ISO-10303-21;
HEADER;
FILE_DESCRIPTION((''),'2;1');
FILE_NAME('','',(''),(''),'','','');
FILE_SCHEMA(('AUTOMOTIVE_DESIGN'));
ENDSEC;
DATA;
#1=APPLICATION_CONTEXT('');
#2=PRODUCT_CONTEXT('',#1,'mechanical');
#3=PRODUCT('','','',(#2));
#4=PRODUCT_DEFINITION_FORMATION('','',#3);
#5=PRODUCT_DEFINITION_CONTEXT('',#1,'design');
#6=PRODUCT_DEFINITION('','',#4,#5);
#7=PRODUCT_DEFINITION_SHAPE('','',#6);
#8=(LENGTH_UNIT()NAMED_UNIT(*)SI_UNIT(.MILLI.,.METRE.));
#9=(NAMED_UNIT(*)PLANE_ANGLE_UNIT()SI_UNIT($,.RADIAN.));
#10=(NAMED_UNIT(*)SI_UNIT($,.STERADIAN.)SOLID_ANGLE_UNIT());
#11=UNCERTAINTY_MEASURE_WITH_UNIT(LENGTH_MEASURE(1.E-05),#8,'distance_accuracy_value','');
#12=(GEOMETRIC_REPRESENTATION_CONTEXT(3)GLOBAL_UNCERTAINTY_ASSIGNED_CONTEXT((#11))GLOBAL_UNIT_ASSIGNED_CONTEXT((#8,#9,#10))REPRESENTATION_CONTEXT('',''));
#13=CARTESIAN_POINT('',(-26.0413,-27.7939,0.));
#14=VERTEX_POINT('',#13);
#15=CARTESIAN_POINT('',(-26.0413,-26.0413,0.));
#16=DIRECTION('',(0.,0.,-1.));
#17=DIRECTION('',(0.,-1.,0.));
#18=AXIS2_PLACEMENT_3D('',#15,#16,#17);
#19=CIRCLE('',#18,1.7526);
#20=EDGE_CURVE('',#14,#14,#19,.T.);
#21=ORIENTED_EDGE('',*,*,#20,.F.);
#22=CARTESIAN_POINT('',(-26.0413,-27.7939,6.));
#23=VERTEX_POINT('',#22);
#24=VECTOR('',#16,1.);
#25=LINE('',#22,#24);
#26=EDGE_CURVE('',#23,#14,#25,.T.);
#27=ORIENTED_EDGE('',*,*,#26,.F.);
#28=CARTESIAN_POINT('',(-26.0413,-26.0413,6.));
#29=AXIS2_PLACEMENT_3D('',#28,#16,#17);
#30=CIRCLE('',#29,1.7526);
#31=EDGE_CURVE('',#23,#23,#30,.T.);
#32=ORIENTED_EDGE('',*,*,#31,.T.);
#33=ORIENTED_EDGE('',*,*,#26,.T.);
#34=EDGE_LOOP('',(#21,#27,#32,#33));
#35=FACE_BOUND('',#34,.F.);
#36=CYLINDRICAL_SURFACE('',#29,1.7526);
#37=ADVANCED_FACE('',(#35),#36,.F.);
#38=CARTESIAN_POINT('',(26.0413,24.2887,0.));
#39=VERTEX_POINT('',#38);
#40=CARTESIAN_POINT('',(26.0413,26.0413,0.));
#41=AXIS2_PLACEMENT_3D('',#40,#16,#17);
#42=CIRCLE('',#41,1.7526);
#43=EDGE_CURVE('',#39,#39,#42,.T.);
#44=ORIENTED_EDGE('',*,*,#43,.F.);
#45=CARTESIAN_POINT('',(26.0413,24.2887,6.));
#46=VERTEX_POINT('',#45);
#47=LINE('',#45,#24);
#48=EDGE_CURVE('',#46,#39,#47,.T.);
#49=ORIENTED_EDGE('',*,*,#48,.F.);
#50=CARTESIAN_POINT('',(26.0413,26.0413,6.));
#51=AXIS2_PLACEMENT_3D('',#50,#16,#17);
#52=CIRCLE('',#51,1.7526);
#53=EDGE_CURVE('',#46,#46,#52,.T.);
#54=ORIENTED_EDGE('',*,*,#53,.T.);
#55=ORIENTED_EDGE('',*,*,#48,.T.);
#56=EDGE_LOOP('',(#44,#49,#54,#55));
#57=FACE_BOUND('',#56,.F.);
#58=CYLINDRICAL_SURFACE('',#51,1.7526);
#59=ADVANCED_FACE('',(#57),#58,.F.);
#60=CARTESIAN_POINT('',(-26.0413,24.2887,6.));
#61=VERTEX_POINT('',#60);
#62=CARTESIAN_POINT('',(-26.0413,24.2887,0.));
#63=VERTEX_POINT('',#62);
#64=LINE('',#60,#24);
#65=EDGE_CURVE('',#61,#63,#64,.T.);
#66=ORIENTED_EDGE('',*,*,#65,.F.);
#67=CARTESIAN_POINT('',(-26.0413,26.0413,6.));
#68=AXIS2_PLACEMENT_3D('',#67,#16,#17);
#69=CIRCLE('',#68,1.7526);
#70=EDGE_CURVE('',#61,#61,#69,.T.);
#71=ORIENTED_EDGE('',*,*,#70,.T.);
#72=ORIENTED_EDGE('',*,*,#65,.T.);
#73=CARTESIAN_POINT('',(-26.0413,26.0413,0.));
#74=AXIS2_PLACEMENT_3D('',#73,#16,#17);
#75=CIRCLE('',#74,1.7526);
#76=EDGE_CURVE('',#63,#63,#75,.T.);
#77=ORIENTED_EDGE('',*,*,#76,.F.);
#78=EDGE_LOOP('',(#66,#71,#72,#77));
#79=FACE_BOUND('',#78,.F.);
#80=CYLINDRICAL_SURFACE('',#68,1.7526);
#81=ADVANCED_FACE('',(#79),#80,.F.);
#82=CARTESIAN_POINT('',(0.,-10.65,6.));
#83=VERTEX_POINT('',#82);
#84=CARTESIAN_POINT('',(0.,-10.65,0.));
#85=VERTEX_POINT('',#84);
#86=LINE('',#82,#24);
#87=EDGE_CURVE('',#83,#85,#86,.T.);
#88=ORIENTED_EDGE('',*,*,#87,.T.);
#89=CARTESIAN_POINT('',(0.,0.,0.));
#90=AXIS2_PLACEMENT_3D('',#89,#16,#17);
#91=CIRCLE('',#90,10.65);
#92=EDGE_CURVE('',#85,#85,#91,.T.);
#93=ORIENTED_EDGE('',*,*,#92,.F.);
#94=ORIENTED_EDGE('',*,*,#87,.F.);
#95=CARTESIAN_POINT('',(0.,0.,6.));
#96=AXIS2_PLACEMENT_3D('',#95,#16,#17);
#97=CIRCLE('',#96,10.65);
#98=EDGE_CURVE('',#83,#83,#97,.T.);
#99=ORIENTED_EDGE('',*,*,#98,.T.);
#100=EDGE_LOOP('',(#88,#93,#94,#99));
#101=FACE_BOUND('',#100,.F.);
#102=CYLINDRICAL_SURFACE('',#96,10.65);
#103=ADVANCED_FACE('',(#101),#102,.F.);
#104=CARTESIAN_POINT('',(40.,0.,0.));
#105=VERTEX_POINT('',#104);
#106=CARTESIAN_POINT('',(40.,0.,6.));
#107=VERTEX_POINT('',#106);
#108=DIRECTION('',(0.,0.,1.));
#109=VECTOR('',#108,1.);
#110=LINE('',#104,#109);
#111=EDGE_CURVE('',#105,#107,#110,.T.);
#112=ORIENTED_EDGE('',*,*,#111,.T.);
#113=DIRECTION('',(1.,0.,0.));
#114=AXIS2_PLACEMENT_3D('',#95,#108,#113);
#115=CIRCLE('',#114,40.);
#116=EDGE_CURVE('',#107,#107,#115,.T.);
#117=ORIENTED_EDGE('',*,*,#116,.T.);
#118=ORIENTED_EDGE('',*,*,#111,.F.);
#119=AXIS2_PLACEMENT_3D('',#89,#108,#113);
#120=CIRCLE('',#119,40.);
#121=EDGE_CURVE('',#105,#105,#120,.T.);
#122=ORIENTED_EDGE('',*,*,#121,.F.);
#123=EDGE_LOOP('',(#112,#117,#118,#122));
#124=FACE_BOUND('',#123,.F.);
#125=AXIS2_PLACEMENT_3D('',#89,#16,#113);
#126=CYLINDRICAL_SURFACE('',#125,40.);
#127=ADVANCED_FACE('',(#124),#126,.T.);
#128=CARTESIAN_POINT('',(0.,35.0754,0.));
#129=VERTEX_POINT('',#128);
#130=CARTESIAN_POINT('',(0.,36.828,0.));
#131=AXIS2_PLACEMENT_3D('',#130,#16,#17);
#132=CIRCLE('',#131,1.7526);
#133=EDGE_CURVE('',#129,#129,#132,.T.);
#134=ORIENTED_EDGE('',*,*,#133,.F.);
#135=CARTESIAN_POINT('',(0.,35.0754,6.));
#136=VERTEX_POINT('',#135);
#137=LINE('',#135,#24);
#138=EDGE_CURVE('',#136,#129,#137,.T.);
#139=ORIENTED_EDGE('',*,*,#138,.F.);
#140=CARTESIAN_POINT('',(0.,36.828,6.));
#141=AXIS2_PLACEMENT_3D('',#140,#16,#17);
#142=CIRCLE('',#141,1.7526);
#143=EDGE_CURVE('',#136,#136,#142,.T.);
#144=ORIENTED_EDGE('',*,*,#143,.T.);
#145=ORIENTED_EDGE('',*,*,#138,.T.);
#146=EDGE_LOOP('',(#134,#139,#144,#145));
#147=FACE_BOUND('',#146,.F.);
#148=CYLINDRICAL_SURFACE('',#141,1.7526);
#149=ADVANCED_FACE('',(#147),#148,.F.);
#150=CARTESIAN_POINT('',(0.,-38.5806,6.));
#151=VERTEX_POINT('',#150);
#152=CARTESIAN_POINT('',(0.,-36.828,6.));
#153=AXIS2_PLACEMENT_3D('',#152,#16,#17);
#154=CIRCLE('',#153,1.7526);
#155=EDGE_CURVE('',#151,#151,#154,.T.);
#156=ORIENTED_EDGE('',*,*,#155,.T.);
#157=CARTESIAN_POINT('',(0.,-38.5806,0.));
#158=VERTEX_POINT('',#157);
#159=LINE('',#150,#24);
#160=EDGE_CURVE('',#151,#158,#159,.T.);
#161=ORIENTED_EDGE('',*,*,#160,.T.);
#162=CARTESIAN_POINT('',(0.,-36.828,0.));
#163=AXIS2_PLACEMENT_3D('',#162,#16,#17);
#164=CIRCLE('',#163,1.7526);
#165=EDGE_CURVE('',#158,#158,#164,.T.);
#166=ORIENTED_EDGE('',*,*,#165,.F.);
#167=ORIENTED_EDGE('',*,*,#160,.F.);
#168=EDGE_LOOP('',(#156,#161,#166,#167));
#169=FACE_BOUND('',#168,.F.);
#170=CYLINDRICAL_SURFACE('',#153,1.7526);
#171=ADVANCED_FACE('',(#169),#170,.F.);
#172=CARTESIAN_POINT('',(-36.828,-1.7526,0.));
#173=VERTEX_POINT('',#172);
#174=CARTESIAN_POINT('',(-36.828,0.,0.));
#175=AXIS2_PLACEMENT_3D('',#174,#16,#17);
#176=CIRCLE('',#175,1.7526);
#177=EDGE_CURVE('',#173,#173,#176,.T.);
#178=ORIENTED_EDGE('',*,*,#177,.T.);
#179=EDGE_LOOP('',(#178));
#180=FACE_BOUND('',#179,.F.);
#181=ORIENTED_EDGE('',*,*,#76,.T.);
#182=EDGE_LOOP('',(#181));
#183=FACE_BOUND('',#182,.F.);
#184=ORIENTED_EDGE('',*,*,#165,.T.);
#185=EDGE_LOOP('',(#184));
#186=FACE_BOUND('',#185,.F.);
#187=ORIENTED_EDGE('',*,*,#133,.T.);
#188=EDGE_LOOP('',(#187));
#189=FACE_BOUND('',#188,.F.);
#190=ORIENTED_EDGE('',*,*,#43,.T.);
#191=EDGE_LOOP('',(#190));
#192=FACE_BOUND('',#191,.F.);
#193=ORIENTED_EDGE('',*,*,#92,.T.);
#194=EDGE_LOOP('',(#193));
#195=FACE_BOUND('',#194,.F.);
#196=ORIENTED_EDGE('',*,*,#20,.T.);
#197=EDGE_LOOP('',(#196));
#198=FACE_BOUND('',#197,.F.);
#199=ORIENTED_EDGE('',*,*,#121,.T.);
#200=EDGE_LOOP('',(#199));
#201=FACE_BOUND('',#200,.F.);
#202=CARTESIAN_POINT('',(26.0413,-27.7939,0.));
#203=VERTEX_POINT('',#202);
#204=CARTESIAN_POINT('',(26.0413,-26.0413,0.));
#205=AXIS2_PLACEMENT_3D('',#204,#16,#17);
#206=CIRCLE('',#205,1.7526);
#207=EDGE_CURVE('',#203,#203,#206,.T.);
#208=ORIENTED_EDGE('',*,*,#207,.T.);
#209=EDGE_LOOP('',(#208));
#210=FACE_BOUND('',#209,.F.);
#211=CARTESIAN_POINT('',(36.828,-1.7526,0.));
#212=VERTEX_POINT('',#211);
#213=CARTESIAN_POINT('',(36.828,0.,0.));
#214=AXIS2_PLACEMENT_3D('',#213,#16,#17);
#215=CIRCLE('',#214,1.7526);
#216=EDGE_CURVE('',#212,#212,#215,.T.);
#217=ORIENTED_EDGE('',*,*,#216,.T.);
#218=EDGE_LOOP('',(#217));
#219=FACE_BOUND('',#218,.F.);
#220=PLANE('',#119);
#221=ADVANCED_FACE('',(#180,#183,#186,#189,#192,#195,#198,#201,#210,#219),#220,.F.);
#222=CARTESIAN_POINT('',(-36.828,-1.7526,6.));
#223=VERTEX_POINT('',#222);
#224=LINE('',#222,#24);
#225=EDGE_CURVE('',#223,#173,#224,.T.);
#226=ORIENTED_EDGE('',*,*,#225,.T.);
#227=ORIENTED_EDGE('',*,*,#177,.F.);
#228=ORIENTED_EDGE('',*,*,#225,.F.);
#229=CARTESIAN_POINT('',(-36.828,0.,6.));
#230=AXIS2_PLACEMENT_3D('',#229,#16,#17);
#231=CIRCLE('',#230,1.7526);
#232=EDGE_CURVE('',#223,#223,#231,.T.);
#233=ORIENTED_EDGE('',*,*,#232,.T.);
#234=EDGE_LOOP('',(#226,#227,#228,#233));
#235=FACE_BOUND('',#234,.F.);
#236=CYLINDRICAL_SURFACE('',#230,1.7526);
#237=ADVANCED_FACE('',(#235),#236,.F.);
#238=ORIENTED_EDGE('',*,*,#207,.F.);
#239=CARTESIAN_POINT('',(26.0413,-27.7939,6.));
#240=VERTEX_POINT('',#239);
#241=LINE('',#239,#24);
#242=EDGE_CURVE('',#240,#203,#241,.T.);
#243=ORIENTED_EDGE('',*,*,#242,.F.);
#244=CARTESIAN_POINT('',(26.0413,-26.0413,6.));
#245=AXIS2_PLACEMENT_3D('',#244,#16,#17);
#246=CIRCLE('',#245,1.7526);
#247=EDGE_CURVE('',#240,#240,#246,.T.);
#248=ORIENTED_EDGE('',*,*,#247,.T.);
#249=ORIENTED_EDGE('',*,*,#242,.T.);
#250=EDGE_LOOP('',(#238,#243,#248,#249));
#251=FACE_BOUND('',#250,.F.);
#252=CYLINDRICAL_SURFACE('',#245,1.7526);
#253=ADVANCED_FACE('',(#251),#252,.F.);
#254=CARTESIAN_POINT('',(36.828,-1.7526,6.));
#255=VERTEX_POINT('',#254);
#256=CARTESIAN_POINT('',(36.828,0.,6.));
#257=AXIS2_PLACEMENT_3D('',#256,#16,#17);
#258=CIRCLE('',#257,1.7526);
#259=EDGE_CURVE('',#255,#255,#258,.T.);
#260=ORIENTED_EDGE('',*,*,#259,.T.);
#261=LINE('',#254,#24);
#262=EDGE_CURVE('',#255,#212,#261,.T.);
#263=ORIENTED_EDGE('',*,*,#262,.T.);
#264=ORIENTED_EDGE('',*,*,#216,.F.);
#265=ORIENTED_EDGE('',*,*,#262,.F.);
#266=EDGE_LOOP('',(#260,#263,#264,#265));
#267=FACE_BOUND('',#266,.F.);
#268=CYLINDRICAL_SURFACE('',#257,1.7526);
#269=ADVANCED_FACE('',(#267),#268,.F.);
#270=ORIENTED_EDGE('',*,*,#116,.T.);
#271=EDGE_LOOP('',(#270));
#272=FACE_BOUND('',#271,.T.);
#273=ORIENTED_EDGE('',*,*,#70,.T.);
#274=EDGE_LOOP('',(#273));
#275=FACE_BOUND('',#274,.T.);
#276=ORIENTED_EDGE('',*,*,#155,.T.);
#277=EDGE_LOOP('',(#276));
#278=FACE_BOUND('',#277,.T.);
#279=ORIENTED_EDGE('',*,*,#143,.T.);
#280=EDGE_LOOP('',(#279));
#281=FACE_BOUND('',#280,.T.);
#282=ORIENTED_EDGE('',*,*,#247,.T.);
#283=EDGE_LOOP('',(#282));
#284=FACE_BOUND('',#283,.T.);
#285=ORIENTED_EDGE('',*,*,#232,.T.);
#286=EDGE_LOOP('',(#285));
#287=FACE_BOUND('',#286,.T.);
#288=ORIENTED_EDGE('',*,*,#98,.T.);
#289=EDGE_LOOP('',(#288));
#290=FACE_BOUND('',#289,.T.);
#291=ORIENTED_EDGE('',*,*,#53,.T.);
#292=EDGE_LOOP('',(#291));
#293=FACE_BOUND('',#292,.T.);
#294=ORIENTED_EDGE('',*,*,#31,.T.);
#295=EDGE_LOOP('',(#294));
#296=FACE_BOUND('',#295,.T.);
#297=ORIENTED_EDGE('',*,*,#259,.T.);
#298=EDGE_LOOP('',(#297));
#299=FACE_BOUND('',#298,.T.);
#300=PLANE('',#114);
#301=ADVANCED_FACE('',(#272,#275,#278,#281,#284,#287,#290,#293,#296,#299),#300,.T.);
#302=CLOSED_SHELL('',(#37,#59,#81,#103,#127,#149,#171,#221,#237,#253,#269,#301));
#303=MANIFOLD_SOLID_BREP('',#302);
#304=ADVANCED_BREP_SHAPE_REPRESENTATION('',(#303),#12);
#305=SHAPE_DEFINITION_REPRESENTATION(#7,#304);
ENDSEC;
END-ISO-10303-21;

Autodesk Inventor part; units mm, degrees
ref_plane "YZ Plane" through (0, 0, 0) normal (1, 0, 0) x (0, 1, 0)
ref_plane "XZ Plane" through (0, 0, 0) normal (0, 1, 0) x (-1, 0, 0)
ref_plane "XY Plane" through (0, 0, 0) normal (0, 0, 1) x (1, 0, 0)
sketch "Sketch1" plane through (0, 0, 0) normal (0, 0, 1) x (1, 0, 0)
  circle A0 centre (0, 0) radius 40
  dimension "d47" = 80
extrude "Extrusion1" add sketch "Sketch1" along normal blind 6
sketch "Sketch7" plane through (0, 0, 6) normal (0, 0, 1) x (1, 0, 0)
  circle A0 centre (0, 0) radius 40 projected
  circle A1 centre (-36.828, 0) radius 1.5
  circle A2 centre (-26.0413, -26.0413) radius 1.5
  circle A3 centre (0, -36.828) radius 1.5
  circle A4 centre (26.0413, -26.0413) radius 1.5
  circle A5 centre (36.828, 0) radius 1.5
  circle A6 centre (26.0413, 26.0413) radius 1.5
  circle A7 centre (0, 36.828) radius 1.5
  circle A8 centre (-26.0413, 26.0413) radius 1.5
  dimension "d48" = 3
  dimension "d49" = 36.828
  dimension "d52" = 360
hole "Hole2" at (-26.0413, 26.0413, 6) at (0, 36.828, 6) at (26.0413, 26.0413, 6) at (36.828, 0, 6) at (26.0413, -26.0413, 6) at (0, -36.828, 6) at (-26.0413, -26.0413, 6) at (-36.828, 0, 6) direction (0, 0, -1) diameter 3.5052 end through all
sketch "Sketch8" plane through (0, 0, 6) normal (0, 0, 1) x (1, 0, 0)
  point P0 (0, 0)
  point P1 (0, 0)
hole "Hole3" at (0, 0, 6) direction (0, 0, -1) diameter 21.3 end through all
properties part number "Cover"
